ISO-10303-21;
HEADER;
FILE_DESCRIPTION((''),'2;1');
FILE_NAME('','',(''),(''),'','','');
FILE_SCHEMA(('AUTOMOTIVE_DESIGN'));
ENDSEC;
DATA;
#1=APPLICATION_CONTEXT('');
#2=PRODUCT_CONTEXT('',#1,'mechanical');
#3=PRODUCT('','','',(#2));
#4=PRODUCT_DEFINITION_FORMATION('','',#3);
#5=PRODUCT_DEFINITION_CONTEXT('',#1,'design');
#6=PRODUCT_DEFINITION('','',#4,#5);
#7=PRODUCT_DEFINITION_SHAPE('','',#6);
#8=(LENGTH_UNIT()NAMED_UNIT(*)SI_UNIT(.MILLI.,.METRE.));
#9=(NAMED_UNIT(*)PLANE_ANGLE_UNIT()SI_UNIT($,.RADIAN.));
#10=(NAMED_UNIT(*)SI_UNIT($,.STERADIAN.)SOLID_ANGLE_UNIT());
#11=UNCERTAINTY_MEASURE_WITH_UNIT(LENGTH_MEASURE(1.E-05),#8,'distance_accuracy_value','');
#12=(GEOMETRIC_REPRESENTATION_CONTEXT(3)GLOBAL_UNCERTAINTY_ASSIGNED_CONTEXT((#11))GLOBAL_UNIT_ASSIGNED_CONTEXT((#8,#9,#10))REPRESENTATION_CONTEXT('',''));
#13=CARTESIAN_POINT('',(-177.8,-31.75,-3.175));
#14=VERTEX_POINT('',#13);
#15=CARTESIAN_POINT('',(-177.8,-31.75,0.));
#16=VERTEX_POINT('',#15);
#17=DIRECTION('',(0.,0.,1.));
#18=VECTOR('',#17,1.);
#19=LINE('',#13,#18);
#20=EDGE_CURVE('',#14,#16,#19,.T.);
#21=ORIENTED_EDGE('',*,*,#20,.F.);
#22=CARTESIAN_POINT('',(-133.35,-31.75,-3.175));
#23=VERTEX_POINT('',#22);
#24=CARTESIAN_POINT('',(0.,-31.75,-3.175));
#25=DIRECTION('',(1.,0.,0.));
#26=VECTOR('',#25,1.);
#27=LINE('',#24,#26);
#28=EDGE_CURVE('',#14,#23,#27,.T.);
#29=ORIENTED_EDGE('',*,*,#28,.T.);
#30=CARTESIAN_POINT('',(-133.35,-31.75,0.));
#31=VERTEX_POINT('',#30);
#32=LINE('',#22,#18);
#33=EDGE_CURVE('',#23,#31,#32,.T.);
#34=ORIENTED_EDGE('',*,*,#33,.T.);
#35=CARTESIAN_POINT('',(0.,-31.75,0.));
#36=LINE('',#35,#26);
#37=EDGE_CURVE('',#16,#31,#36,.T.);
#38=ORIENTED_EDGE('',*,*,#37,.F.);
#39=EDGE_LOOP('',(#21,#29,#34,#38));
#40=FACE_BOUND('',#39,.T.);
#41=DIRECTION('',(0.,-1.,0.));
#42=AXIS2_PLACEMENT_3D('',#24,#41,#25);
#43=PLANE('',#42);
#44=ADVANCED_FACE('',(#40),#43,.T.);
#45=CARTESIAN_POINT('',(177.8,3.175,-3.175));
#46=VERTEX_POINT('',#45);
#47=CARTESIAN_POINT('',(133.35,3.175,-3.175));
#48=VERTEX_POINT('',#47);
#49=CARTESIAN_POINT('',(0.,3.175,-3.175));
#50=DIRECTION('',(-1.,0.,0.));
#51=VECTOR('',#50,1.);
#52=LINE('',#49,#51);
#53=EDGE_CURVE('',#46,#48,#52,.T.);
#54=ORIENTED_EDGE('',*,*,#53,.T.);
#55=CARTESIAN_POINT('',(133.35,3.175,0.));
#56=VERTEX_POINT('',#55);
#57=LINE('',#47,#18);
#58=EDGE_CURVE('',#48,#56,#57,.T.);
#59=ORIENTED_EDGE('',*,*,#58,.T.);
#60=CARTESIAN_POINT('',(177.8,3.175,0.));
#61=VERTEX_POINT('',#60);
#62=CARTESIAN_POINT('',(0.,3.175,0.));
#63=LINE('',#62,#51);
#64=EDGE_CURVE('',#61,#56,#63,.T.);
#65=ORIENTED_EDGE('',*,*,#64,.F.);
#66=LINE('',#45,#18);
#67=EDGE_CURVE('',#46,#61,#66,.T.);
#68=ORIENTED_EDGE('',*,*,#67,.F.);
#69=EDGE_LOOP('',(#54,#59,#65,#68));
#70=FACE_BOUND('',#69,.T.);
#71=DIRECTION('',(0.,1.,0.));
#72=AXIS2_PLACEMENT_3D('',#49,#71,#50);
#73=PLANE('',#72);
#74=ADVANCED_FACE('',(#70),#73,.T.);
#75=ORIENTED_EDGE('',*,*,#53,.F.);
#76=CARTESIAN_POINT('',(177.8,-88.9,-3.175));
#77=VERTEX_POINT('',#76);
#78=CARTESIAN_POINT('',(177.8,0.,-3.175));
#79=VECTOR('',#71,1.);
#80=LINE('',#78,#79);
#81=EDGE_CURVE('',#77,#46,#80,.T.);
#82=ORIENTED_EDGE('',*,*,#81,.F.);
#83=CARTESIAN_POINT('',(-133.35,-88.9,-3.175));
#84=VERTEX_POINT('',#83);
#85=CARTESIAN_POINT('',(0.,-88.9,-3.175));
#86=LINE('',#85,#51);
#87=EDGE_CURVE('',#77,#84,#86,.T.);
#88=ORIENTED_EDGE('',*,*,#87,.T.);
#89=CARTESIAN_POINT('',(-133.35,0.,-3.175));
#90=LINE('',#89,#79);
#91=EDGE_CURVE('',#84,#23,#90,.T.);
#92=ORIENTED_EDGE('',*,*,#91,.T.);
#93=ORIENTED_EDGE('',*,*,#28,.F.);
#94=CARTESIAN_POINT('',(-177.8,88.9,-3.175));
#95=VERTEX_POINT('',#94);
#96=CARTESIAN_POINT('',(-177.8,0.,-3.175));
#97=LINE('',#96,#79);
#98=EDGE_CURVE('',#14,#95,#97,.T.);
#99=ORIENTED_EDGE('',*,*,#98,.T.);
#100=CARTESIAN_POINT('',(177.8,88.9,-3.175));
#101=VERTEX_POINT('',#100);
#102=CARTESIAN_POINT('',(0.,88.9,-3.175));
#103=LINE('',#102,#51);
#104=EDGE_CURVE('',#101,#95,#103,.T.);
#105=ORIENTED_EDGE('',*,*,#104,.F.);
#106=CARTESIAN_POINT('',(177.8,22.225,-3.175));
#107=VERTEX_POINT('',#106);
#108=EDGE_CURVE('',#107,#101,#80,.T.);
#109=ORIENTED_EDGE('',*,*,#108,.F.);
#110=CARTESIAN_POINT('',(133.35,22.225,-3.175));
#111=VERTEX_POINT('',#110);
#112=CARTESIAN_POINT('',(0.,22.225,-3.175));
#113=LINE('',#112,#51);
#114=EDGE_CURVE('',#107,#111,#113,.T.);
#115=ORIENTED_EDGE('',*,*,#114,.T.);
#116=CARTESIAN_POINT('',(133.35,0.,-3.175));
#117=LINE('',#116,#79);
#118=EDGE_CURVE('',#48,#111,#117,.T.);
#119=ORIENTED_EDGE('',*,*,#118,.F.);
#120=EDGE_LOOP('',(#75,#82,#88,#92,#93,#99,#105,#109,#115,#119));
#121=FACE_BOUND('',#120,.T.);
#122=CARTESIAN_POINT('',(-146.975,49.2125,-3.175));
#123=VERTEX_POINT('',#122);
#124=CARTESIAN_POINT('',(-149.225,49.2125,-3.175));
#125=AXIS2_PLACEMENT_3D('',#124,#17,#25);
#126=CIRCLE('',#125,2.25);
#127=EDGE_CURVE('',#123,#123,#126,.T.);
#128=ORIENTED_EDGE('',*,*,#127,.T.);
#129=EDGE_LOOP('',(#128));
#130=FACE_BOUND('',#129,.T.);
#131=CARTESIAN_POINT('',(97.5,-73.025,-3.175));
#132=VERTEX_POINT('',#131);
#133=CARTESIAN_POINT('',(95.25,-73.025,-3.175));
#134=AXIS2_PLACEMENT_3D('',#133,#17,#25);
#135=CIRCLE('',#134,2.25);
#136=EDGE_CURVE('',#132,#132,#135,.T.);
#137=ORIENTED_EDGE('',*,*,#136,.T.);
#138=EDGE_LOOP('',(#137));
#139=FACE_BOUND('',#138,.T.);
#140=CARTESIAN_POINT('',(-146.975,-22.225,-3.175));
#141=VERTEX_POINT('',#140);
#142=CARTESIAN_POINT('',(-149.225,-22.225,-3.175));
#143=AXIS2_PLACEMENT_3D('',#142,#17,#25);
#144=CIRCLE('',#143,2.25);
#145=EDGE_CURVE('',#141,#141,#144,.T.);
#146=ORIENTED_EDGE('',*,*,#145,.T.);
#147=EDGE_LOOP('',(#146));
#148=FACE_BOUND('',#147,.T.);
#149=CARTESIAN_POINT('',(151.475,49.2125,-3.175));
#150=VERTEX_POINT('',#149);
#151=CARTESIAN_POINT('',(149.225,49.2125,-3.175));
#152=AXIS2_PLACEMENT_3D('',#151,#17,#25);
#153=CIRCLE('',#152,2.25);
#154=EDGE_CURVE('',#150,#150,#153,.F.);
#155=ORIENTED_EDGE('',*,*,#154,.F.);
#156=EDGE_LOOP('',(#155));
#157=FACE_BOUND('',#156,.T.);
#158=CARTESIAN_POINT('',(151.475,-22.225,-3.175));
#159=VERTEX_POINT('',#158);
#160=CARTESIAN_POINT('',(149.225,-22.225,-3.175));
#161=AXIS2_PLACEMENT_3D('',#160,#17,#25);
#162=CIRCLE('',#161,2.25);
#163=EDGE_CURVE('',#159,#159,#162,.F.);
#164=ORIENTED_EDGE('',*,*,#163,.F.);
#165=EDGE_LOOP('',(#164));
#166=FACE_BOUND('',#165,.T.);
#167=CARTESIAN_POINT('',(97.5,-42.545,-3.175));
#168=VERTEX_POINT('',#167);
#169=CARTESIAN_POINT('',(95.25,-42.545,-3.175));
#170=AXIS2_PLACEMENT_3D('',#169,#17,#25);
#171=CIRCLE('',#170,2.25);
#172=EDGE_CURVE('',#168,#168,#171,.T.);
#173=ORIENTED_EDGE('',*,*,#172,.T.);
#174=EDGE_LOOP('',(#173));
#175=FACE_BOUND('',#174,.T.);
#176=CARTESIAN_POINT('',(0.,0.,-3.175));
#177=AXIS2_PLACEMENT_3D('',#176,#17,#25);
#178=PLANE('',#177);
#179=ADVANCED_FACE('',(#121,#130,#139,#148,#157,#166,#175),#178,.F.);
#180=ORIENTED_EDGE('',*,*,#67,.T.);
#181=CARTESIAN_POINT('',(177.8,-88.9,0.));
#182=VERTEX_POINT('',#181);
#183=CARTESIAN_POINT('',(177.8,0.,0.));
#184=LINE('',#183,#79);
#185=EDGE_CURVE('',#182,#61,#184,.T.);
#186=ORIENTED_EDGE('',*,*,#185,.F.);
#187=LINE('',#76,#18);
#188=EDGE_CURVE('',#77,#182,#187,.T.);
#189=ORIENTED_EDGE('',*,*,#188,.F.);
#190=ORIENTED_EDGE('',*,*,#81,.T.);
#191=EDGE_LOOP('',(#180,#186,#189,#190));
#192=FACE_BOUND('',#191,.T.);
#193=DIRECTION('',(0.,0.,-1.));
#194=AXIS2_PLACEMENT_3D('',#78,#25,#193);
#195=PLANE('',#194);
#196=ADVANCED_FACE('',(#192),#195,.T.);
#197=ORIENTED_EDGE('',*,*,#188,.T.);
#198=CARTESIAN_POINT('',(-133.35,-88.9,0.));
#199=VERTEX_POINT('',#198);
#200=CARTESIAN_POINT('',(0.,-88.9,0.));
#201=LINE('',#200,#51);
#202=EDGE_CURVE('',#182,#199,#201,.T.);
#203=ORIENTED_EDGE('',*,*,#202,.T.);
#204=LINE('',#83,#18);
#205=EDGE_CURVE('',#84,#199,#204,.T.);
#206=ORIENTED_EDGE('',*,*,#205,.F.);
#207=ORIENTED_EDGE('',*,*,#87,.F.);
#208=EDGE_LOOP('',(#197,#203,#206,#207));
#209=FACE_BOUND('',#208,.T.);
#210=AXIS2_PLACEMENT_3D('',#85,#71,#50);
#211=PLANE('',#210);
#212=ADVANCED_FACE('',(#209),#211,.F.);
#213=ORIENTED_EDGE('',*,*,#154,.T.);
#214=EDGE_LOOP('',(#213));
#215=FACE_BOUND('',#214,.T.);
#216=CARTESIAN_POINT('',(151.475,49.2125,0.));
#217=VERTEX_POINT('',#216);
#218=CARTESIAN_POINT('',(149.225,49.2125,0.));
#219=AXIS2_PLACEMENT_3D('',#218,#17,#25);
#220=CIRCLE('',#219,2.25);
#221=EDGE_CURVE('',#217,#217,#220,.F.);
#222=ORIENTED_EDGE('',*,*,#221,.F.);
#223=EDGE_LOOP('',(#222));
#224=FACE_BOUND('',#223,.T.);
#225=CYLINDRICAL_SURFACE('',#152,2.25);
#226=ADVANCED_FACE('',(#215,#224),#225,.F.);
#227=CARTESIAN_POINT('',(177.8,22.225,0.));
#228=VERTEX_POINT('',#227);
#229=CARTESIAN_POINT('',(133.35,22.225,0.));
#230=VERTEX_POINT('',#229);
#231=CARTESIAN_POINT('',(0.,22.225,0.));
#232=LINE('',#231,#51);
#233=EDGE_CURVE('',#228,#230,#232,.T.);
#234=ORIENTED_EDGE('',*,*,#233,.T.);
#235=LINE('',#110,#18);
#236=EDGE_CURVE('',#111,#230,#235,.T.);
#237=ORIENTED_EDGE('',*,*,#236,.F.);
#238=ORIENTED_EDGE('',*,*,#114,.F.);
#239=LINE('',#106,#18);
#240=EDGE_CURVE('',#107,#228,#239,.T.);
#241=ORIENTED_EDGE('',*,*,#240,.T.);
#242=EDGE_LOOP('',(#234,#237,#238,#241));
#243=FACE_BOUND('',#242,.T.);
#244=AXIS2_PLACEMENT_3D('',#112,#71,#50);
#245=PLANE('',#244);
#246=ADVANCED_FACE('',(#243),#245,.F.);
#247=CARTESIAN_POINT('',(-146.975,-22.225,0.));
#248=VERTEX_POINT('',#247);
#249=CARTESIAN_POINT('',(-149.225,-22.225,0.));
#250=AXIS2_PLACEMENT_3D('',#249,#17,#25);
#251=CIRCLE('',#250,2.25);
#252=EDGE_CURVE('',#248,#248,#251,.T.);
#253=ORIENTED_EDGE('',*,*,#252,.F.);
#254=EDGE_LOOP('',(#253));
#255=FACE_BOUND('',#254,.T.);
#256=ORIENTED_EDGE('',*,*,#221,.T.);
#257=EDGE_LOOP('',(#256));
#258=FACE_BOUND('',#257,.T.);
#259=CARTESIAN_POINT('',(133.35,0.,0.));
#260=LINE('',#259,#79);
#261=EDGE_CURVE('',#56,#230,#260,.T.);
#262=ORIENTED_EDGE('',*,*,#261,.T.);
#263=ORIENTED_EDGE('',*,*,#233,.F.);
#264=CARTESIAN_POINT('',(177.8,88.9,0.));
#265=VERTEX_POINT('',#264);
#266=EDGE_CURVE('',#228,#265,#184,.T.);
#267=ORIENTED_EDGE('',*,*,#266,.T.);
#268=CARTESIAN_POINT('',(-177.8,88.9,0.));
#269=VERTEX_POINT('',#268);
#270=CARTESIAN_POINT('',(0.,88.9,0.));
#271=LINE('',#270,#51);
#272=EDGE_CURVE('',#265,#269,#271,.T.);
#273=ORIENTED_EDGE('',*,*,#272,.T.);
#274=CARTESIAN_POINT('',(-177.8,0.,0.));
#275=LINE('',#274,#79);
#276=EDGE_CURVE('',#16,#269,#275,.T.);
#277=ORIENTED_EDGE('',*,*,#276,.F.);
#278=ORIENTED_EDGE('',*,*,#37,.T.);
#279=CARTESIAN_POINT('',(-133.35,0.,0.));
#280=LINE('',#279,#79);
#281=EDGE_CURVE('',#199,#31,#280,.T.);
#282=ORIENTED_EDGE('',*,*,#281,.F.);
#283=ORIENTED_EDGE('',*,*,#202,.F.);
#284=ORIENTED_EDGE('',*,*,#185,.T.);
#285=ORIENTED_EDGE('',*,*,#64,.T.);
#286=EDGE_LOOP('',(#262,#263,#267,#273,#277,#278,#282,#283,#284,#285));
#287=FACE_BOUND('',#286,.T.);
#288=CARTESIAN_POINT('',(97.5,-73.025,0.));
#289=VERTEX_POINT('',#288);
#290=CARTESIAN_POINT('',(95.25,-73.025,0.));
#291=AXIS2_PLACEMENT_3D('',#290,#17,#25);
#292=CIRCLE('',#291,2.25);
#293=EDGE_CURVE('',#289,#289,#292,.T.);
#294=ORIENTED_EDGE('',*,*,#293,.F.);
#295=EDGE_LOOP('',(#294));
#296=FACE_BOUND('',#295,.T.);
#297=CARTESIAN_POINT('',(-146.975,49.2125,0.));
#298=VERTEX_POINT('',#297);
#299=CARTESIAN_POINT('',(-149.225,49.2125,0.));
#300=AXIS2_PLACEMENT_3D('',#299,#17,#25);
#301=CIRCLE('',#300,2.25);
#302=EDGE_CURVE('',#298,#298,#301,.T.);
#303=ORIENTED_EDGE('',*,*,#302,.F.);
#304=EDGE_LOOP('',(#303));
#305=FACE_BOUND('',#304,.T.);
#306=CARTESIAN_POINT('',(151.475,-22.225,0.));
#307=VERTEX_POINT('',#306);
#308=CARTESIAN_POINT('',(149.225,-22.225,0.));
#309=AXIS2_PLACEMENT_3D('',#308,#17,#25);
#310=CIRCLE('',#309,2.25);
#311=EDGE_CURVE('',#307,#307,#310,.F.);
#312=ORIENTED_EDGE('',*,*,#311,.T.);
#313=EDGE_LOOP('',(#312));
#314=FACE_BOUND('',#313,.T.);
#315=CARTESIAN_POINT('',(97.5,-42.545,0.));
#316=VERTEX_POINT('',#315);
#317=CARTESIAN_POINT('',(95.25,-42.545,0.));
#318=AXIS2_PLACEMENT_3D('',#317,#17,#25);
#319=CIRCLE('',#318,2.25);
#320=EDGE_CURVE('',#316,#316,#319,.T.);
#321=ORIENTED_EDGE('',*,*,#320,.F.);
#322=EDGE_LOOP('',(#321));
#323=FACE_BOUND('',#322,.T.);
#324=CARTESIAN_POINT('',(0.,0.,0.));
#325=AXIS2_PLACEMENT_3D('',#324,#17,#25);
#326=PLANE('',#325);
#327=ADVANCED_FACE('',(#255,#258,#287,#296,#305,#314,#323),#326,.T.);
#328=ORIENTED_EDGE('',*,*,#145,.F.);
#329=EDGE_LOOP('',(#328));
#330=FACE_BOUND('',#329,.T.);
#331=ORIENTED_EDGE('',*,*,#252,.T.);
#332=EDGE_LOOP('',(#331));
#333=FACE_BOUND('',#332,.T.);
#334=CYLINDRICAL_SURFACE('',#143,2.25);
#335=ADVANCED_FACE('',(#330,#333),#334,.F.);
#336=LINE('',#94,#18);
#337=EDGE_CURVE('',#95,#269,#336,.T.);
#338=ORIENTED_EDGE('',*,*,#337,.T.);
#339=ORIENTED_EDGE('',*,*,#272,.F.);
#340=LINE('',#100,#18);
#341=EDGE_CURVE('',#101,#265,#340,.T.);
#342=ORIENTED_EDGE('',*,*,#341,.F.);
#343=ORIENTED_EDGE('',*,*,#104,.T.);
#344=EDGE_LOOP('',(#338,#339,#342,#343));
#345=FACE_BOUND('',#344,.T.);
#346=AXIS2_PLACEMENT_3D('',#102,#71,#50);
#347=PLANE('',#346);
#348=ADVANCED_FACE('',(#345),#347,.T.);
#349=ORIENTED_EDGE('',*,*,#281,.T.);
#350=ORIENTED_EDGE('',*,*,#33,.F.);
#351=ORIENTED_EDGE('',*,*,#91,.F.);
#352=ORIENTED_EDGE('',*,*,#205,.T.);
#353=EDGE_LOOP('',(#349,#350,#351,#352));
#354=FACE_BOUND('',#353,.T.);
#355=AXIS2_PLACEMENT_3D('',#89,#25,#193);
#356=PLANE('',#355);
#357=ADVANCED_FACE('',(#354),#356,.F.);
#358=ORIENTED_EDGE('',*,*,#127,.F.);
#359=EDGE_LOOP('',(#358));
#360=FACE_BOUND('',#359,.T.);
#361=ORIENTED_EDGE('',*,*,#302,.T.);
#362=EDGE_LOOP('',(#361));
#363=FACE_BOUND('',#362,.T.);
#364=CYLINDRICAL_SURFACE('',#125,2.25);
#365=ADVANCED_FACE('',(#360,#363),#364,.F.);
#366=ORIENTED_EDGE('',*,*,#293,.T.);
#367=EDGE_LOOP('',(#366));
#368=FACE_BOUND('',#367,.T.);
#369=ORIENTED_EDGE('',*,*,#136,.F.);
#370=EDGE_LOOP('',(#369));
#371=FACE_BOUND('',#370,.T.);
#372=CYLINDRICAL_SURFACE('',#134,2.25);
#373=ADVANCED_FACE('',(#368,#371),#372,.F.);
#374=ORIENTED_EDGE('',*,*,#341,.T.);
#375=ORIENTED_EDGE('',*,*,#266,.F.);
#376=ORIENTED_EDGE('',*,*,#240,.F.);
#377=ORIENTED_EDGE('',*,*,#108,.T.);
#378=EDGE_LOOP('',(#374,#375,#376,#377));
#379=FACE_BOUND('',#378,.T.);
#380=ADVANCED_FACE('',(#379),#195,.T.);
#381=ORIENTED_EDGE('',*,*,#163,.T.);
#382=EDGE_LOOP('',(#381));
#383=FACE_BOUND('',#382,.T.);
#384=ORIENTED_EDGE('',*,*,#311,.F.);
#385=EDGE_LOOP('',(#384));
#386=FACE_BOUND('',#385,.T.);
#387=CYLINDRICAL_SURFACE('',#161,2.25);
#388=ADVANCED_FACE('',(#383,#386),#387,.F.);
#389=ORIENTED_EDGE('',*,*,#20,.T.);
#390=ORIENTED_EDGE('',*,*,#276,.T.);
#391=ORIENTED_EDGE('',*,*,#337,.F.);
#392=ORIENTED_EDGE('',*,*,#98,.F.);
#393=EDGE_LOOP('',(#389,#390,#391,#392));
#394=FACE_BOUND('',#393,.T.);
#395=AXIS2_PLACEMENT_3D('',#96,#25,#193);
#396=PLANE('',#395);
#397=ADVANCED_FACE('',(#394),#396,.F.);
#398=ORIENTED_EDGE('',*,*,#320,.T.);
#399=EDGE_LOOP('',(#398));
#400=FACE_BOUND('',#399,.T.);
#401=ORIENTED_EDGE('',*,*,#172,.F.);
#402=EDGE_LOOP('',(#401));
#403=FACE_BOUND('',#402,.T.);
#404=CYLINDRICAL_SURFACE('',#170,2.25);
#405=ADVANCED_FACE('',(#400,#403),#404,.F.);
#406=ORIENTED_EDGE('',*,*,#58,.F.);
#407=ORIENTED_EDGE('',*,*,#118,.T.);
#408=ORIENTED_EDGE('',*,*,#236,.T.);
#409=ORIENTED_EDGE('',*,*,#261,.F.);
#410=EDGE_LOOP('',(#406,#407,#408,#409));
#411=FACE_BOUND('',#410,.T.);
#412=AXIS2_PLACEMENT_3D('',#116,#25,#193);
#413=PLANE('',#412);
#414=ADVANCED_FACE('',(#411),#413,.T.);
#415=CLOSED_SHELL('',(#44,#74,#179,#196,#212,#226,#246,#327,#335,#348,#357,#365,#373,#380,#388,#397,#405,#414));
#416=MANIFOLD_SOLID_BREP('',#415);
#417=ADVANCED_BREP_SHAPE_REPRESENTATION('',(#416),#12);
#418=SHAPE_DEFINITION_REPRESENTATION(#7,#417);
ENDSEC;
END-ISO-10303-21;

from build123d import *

# Parameters (mm, degrees)
SKETCH1_R           = 2.25
BOSS_EXTRUDE1_DEPTH = 3.175


with BuildPart() as part:
    # Sketch1 → Boss-Extrude1 (new body)
    with BuildSketch(Plane.XY):
        Polygon((-133.35, -88.9), (177.8, -88.9), (177.8, 3.175), (133.35, 3.175), (133.35, 22.225), (177.8, 22.225), (177.8, 88.9), (-177.8, 88.9), (-177.8, -31.75), (-133.35, -31.75), align=None)
        with Locations((-149.225, -22.225)):
            Circle(SKETCH1_R, mode=Mode.SUBTRACT)
        with Locations((95.25, -73.025)):
            Circle(SKETCH1_R, mode=Mode.SUBTRACT)
        with Locations((95.25, -42.545)):
            Circle(SKETCH1_R, mode=Mode.SUBTRACT)
        with Locations((149.225, -22.225)):
            Circle(SKETCH1_R, mode=Mode.SUBTRACT)
        with Locations((-149.225, 49.2125)):
            Circle(SKETCH1_R, mode=Mode.SUBTRACT)
        with Locations((149.225, 49.2125)):
            Circle(SKETCH1_R, mode=Mode.SUBTRACT)
    extrude(amount=-BOSS_EXTRUDE1_DEPTH)


solid = part.part
